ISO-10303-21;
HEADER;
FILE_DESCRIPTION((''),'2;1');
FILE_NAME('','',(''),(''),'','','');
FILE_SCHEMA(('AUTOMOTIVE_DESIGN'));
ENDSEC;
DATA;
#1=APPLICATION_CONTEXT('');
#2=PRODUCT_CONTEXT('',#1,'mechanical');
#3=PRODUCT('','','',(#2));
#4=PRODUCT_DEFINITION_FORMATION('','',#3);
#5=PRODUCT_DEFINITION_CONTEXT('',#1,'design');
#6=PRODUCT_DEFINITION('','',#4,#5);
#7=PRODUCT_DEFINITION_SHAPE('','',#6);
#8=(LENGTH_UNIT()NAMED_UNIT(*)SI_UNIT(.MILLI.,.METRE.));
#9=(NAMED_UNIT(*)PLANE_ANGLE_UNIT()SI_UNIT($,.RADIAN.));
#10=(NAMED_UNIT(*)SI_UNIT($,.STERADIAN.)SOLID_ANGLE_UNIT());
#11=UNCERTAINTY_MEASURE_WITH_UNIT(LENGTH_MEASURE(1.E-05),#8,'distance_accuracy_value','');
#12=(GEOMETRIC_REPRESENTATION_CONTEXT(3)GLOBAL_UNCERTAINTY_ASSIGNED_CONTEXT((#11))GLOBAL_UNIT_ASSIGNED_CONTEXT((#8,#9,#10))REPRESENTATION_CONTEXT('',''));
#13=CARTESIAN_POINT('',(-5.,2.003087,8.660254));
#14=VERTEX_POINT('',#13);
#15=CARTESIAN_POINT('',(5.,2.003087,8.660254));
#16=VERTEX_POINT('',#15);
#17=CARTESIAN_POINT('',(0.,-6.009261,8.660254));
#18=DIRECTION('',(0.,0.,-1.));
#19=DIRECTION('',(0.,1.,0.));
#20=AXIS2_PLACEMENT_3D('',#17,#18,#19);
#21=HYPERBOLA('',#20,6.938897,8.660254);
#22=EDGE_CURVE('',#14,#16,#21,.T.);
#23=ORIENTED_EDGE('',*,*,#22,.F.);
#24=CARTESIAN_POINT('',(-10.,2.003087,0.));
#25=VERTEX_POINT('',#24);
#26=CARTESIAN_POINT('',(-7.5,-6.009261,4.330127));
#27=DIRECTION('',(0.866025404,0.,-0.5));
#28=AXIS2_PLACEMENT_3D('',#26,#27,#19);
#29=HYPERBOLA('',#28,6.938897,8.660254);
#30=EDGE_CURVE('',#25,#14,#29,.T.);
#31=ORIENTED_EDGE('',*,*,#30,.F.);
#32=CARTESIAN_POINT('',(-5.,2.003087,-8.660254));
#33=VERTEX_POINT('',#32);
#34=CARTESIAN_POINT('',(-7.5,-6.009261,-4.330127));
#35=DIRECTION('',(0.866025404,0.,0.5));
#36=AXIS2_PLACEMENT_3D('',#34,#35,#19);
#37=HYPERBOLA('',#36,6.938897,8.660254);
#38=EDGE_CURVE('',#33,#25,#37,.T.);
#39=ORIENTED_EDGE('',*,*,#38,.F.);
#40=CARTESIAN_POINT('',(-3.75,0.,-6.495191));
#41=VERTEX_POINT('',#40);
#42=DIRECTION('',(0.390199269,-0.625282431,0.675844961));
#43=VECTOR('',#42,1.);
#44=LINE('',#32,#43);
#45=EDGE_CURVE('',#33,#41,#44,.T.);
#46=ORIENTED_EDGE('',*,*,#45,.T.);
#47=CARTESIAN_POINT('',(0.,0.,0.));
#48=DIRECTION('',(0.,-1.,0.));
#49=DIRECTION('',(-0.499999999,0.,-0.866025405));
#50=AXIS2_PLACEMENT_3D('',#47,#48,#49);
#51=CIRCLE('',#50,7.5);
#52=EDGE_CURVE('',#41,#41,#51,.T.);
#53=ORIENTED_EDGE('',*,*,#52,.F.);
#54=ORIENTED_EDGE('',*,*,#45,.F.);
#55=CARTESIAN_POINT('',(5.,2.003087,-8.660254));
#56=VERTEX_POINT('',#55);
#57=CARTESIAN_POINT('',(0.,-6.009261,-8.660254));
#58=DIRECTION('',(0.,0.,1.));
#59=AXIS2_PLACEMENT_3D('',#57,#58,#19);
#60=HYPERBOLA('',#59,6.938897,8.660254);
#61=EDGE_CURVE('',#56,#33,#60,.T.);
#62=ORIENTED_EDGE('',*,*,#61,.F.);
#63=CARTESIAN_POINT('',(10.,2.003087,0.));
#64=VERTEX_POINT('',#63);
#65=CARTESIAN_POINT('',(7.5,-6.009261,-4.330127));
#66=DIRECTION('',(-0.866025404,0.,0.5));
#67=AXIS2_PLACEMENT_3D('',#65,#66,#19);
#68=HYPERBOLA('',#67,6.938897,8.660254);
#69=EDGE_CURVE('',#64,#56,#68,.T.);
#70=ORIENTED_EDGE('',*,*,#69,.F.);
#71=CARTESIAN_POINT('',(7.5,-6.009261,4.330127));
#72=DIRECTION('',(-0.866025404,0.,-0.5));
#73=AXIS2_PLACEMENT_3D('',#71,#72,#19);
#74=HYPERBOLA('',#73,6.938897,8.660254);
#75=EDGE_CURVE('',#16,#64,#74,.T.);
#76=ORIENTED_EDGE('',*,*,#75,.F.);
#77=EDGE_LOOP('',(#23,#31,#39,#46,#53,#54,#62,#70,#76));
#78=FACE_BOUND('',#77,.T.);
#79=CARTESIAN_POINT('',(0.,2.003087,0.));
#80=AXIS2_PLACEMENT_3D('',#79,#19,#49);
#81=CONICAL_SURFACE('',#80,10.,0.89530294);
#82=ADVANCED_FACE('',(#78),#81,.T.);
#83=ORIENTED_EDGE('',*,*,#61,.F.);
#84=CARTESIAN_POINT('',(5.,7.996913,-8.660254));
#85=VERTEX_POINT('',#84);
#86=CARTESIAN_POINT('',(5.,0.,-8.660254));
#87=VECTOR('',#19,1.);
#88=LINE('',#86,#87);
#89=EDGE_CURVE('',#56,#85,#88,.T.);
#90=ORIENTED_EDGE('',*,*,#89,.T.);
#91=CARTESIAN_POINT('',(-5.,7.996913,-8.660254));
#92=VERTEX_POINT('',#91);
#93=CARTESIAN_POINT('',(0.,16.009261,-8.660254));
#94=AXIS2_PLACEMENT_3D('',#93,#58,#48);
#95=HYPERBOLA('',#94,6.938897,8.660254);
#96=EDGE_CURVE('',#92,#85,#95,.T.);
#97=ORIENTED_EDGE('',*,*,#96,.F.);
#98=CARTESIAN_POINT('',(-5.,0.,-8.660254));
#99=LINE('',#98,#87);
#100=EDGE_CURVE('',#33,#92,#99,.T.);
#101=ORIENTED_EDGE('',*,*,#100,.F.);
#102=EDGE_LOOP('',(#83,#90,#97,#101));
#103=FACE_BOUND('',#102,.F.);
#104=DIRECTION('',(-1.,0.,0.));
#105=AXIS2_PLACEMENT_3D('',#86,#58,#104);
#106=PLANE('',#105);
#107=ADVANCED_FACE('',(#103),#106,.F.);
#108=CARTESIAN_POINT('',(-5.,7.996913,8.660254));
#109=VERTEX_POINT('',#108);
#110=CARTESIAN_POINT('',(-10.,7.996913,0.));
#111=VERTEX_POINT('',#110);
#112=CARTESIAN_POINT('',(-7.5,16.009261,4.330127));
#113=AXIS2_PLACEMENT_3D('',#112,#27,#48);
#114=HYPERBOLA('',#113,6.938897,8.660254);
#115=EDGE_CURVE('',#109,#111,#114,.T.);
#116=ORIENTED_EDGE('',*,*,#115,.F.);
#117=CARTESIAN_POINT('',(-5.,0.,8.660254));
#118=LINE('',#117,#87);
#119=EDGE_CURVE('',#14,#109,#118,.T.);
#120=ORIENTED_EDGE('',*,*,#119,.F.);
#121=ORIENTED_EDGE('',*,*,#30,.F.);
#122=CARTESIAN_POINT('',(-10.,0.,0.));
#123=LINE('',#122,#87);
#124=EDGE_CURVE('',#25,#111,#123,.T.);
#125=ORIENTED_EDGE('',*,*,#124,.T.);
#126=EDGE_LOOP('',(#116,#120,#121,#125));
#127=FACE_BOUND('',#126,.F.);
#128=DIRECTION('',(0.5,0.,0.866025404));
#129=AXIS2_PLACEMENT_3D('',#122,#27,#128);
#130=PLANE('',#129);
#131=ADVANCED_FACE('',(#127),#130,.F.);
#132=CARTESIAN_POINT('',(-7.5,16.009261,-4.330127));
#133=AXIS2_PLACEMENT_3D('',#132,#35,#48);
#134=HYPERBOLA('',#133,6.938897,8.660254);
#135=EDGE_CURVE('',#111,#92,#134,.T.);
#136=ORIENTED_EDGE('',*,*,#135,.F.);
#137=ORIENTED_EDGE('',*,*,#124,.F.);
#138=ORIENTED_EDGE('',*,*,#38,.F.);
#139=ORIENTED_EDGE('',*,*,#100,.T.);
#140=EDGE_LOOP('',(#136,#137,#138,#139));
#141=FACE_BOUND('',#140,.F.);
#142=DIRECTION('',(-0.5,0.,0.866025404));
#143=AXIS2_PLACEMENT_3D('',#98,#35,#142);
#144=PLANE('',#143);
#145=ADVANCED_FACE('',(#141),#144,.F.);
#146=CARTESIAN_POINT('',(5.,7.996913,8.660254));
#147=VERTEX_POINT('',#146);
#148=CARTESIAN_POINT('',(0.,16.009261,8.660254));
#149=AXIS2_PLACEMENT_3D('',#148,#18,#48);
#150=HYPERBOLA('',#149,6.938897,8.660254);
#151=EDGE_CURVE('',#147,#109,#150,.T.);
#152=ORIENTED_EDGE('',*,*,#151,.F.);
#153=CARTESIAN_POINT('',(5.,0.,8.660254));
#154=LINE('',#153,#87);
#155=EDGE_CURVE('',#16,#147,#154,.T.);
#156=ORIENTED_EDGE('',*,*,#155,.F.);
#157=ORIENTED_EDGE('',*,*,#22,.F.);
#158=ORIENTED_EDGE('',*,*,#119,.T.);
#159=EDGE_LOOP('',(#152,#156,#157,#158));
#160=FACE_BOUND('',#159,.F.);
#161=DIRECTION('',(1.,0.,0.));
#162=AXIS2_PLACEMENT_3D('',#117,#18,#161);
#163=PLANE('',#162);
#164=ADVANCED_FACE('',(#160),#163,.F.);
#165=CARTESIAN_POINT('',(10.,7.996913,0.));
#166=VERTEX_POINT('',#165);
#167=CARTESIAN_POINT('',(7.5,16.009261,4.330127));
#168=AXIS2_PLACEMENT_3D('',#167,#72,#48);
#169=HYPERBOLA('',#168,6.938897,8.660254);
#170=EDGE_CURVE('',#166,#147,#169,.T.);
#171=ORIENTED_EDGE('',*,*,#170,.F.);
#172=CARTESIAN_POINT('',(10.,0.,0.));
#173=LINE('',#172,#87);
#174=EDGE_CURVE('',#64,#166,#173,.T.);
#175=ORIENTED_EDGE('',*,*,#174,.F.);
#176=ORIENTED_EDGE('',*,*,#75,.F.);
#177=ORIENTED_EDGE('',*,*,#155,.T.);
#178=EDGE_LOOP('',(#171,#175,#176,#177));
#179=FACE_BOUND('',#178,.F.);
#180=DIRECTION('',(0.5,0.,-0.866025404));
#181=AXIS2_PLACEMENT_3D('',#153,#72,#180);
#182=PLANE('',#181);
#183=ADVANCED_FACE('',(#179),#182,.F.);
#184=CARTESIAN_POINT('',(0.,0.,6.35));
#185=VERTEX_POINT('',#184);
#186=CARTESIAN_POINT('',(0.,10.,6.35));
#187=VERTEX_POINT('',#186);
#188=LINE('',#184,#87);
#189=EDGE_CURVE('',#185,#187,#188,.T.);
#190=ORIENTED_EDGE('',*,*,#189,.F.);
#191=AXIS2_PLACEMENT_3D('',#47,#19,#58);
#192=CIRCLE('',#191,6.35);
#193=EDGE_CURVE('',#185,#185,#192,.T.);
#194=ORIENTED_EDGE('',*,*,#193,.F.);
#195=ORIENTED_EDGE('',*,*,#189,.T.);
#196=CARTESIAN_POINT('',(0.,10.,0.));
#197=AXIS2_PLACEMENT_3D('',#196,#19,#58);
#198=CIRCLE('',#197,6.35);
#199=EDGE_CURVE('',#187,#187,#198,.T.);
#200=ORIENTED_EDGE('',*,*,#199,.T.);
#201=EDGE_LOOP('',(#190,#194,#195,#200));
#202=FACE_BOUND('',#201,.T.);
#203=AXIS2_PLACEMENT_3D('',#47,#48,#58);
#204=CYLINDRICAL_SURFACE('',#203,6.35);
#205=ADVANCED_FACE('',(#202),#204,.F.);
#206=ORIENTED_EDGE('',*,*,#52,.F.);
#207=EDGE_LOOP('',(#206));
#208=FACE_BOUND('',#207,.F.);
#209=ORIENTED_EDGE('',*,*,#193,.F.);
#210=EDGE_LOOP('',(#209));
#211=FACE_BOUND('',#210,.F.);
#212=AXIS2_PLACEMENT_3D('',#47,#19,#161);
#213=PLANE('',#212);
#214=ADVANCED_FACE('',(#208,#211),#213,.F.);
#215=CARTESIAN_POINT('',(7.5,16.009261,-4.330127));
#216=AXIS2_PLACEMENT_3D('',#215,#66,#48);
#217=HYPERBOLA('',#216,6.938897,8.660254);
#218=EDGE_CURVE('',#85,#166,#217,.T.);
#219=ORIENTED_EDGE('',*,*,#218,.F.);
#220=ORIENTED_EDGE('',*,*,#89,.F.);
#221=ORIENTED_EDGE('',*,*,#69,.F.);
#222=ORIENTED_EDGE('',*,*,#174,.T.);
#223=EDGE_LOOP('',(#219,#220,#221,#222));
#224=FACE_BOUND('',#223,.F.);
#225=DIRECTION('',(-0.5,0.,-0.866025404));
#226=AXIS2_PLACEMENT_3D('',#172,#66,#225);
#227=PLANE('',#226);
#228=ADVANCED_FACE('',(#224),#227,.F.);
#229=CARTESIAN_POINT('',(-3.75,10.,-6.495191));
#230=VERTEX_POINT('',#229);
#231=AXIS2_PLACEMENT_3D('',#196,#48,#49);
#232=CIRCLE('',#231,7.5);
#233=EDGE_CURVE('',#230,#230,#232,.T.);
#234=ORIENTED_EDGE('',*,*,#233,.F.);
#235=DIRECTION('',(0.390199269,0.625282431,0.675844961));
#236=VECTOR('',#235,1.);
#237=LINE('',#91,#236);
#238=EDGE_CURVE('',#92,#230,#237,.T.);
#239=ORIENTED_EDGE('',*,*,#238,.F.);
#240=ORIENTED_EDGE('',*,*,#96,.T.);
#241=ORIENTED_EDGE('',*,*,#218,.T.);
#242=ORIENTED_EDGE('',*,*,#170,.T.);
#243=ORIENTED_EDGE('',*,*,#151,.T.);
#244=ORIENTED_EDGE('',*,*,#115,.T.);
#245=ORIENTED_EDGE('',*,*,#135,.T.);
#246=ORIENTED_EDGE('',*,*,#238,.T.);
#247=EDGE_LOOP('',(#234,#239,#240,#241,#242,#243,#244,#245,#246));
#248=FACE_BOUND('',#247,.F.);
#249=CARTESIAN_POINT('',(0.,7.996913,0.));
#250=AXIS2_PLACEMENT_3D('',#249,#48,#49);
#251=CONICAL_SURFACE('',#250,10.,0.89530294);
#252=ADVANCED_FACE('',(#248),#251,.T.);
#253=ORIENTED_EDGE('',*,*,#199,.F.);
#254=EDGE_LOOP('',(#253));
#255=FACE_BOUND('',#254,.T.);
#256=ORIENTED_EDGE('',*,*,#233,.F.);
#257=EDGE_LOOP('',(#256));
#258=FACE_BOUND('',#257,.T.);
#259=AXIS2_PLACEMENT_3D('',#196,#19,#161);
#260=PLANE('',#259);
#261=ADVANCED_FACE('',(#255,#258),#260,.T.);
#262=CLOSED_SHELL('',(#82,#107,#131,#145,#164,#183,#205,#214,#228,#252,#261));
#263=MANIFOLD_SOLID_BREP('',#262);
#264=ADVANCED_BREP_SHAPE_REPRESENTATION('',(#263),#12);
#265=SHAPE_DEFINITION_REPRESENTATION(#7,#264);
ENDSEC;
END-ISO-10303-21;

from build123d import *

# Parameters (mm, degrees)
SKETCH1_R           = 6.35
BOSS_EXTRUDE1_DEPTH = 10


with BuildPart() as part:
    # Sketch1 → Boss-Extrude1 (new body)
    with BuildSketch(Plane(origin=(0, 0, 0), x_dir=(1, 0, 0), z_dir=(0, 1, 0))):
        Polygon((10, 0), (5, 8.660254038), (-5, 8.660254038), (-10, 0), (-5, -8.660254038), (5, -8.660254038), align=None)
        with Locations(Location((0, 0, 0), (0, 0, 270))):
            Circle(SKETCH1_R, mode=Mode.SUBTRACT)
    extrude(amount=BOSS_EXTRUDE1_DEPTH)

    # Sketch3 → Cut-Revolve1 (revolve, cut)
    with BuildSketch(Plane.XY, mode=Mode.PRIVATE) as cut_revolve1_sk:
        Polygon((-10, 10), (-10, 7.996913118), (-7.5, 10), align=None)
    cut_revolve1 = revolve(cut_revolve1_sk.sketch.rotate(Axis((0, 10, 0), (0, -1, 0)), 60.000000094), axis=Axis((0, 10, 0), (0, -1, 0)), mode=Mode.SUBTRACT)

    # Mirror1: Cut-Revolve1 across plane
    add(cut_revolve1.mirror(Plane(origin=(0, 5, 0), x_dir=(0, 0, 1), z_dir=(0, -1, 0))), mode=Mode.SUBTRACT)


solid = part.part
